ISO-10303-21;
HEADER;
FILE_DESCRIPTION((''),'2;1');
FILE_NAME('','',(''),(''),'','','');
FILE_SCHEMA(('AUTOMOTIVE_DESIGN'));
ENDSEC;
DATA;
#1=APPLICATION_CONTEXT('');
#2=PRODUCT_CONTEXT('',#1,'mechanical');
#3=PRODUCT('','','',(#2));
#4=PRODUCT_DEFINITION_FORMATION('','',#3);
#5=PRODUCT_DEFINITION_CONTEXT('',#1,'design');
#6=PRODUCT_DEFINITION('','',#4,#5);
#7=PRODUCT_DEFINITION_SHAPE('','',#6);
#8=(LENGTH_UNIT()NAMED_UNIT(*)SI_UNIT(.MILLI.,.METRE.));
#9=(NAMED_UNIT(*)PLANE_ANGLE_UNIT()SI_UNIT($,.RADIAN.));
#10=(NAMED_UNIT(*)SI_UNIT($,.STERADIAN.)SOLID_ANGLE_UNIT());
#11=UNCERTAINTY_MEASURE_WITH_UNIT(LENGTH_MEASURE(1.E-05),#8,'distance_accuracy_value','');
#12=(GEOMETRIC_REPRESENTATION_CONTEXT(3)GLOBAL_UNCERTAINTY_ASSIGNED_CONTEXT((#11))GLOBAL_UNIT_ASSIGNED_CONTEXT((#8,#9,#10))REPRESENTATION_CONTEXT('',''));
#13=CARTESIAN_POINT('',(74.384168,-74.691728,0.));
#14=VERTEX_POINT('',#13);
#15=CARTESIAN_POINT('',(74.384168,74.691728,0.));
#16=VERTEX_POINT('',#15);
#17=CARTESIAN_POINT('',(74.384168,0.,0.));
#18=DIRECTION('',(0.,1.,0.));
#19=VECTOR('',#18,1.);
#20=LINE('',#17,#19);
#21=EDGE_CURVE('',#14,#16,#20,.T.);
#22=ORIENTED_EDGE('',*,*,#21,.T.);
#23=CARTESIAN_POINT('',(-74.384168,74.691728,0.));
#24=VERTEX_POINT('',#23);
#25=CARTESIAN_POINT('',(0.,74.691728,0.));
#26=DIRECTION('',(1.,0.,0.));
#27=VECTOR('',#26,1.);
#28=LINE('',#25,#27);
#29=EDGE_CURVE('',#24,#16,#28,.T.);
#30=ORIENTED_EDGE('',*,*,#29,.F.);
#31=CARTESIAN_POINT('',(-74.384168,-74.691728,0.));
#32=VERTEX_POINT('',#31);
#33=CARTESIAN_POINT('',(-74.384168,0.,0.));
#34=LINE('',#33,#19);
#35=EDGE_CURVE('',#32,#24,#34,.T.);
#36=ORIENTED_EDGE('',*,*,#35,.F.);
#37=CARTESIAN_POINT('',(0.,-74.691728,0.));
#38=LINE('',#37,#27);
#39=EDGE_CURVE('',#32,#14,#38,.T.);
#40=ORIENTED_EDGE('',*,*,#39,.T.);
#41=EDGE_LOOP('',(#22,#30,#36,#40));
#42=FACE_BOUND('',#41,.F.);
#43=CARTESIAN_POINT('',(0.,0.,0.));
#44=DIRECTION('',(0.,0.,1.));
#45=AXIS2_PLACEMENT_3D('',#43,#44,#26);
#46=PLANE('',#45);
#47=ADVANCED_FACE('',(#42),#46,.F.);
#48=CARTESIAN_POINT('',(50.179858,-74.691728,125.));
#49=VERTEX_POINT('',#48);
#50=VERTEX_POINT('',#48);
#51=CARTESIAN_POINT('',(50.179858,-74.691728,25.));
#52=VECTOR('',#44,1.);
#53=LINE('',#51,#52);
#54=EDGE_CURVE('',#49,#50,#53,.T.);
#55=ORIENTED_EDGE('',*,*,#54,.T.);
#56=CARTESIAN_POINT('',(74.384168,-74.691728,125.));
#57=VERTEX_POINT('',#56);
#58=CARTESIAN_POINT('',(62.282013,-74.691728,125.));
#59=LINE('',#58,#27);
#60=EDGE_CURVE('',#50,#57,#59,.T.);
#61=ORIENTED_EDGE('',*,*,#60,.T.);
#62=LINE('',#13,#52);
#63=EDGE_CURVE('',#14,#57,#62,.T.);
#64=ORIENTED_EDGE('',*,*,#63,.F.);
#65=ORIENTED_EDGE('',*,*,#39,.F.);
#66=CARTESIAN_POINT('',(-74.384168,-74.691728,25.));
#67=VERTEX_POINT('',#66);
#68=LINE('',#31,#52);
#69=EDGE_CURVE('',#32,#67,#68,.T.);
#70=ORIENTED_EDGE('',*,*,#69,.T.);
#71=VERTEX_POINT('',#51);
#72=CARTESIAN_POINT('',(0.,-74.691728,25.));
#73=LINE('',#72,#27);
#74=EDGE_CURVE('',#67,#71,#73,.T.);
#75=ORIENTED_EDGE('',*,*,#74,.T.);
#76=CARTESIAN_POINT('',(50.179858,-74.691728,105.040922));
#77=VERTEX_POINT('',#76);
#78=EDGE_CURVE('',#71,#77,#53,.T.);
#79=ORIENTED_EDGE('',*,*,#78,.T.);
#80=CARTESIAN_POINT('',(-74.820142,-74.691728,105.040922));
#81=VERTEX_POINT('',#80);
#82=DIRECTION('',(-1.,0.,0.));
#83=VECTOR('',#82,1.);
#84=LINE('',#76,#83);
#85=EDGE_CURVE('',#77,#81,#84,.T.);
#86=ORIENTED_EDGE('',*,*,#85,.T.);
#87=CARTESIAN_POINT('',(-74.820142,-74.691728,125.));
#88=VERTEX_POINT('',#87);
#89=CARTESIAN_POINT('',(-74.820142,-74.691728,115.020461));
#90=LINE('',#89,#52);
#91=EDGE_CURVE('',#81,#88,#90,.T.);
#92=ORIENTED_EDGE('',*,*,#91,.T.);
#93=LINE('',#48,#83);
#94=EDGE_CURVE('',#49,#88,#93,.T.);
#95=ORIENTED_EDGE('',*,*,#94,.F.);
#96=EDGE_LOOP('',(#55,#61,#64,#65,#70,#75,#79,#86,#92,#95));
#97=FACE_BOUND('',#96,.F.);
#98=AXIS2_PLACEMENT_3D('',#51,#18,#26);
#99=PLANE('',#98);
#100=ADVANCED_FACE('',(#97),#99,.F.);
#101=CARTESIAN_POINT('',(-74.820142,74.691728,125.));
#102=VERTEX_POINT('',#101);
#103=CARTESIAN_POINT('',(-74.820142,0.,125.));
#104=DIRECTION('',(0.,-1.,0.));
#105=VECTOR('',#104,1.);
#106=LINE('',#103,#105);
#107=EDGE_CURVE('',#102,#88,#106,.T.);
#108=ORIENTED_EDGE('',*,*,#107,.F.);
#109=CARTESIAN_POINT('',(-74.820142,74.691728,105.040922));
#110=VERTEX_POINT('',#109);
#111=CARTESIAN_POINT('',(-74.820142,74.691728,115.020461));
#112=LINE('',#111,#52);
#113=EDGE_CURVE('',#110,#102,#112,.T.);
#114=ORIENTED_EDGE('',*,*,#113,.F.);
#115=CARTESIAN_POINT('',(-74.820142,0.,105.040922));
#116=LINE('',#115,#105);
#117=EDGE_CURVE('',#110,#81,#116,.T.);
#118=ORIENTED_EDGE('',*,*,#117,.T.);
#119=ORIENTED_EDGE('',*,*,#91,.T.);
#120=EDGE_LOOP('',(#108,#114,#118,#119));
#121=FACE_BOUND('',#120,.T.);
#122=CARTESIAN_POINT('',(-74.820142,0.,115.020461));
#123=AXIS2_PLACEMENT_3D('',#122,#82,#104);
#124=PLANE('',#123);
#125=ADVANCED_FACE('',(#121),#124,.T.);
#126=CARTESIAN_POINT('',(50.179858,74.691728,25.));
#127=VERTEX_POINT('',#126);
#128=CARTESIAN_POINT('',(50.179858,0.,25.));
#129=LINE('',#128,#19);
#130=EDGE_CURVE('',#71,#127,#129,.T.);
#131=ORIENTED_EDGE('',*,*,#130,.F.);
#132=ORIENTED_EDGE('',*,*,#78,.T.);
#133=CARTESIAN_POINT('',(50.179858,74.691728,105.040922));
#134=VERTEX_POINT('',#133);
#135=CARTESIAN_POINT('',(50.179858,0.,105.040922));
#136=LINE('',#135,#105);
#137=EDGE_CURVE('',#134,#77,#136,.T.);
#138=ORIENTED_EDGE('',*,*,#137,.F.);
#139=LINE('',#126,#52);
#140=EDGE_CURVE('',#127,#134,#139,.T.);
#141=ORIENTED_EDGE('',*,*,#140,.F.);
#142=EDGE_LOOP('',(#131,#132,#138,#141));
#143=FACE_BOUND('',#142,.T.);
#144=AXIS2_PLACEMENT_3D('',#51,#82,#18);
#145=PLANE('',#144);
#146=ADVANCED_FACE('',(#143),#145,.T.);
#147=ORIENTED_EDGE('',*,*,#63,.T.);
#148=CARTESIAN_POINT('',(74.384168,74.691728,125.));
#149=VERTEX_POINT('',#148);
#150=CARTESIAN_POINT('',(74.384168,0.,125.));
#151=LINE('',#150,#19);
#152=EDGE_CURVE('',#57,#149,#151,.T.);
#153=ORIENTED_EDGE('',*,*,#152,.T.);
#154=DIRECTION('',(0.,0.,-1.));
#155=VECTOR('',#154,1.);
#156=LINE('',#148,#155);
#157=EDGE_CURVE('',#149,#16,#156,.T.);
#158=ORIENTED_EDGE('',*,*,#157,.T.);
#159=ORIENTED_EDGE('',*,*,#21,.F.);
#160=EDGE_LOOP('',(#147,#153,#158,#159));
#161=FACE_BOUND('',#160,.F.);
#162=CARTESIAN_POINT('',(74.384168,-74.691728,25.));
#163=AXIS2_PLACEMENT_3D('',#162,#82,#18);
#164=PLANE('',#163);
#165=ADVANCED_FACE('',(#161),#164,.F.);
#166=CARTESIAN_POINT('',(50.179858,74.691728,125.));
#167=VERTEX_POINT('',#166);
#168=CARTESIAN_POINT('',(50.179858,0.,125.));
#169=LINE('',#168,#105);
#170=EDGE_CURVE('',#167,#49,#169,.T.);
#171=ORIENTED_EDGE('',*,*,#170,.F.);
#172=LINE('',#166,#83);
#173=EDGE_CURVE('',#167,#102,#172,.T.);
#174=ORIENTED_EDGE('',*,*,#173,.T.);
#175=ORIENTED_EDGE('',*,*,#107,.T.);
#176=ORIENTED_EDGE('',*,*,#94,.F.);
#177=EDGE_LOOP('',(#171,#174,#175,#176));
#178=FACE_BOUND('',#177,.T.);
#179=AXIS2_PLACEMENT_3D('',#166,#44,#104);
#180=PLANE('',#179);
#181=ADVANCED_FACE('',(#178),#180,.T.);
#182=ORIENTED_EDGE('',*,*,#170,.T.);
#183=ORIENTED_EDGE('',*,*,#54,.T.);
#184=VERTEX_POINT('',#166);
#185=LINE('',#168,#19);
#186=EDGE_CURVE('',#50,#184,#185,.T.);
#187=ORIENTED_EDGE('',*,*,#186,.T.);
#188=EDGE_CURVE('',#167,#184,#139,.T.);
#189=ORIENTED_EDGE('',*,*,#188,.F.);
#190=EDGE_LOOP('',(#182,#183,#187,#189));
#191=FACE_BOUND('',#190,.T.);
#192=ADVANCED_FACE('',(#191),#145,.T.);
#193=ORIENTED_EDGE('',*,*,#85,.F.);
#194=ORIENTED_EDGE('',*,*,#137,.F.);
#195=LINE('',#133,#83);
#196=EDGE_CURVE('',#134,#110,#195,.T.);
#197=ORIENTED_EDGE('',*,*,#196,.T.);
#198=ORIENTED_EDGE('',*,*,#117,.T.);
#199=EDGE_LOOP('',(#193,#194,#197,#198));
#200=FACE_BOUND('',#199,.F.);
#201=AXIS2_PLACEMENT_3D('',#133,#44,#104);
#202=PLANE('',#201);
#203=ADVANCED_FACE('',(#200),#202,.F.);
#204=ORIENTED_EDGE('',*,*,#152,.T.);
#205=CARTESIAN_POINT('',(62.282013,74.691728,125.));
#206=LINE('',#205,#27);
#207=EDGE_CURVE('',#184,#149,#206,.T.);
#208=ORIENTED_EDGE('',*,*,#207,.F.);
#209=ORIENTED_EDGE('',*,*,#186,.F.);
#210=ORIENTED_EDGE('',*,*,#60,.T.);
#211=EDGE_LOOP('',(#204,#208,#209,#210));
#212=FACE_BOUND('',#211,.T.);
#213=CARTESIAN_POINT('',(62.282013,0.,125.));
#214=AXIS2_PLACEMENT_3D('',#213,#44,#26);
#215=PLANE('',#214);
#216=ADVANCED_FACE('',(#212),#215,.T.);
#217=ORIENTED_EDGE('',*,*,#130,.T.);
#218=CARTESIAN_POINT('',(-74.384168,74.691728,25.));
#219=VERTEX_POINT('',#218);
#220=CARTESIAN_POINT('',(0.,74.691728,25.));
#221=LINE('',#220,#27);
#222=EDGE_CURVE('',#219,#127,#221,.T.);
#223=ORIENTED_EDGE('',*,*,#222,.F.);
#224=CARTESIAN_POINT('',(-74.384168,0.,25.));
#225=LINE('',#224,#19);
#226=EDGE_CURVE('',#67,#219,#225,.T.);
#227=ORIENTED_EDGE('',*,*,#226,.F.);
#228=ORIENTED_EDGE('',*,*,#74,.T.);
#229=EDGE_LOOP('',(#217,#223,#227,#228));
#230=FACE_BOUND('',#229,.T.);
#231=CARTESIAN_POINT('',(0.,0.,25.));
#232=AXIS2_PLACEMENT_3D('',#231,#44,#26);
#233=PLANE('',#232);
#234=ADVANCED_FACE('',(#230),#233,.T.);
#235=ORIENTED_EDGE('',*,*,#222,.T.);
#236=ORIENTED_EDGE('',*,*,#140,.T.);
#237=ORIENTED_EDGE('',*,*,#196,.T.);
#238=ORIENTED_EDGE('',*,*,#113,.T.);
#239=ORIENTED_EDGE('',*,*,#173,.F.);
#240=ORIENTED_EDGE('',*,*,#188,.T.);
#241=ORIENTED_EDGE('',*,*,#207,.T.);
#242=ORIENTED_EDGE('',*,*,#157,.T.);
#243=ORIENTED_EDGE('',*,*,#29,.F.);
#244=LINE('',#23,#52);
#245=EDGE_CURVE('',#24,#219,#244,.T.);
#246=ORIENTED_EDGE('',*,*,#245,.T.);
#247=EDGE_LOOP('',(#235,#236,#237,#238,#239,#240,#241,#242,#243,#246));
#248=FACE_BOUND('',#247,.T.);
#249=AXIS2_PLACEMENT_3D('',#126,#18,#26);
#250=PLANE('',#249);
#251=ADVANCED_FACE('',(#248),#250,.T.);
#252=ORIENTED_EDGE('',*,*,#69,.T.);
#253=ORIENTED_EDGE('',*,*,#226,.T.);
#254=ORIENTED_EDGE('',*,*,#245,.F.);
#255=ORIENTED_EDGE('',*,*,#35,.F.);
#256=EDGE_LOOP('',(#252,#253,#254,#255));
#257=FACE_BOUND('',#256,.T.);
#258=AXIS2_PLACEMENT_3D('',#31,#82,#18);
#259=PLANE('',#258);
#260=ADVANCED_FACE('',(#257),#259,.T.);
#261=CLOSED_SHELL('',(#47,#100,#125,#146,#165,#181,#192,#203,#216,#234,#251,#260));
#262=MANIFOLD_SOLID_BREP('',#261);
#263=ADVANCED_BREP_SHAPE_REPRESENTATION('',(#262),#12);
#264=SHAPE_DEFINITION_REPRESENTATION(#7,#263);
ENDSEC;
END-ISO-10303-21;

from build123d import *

# Parameters (mm, degrees)
F0_W     = 148.768336
F0_H     = 149.383456
F1_DEPTH = 25
F2_W     = 24.20431
F2_H     = 149.383456
F3_DEPTH = 100
F4_W     = 149.383456
F4_H     = 19.959077
F5_DEPTH = 125


with BuildPart() as f1:
    # F0 (on Top) → F1 (new body)
    with BuildSketch(Plane.XY):
        Rectangle(F0_W, F0_H)
    extrude(amount=F1_DEPTH)

    # F2 (on face) → F3 (join)
    with BuildSketch(Plane.XY.offset(25)):
        with Locations((62.282013, 0)):
            Rectangle(F2_W, F2_H)
    extrude(amount=F3_DEPTH)

    # F4 (on face) → F5 (join)
    with BuildSketch(Plane(origin=(50.179858, 0, 0), x_dir=(0, -1, 0), z_dir=(-1, 0, 0))):
        with Locations((0, 115.020461)):
            Rectangle(F4_W, F4_H)
    extrude(amount=F5_DEPTH)


solid = f1.part
